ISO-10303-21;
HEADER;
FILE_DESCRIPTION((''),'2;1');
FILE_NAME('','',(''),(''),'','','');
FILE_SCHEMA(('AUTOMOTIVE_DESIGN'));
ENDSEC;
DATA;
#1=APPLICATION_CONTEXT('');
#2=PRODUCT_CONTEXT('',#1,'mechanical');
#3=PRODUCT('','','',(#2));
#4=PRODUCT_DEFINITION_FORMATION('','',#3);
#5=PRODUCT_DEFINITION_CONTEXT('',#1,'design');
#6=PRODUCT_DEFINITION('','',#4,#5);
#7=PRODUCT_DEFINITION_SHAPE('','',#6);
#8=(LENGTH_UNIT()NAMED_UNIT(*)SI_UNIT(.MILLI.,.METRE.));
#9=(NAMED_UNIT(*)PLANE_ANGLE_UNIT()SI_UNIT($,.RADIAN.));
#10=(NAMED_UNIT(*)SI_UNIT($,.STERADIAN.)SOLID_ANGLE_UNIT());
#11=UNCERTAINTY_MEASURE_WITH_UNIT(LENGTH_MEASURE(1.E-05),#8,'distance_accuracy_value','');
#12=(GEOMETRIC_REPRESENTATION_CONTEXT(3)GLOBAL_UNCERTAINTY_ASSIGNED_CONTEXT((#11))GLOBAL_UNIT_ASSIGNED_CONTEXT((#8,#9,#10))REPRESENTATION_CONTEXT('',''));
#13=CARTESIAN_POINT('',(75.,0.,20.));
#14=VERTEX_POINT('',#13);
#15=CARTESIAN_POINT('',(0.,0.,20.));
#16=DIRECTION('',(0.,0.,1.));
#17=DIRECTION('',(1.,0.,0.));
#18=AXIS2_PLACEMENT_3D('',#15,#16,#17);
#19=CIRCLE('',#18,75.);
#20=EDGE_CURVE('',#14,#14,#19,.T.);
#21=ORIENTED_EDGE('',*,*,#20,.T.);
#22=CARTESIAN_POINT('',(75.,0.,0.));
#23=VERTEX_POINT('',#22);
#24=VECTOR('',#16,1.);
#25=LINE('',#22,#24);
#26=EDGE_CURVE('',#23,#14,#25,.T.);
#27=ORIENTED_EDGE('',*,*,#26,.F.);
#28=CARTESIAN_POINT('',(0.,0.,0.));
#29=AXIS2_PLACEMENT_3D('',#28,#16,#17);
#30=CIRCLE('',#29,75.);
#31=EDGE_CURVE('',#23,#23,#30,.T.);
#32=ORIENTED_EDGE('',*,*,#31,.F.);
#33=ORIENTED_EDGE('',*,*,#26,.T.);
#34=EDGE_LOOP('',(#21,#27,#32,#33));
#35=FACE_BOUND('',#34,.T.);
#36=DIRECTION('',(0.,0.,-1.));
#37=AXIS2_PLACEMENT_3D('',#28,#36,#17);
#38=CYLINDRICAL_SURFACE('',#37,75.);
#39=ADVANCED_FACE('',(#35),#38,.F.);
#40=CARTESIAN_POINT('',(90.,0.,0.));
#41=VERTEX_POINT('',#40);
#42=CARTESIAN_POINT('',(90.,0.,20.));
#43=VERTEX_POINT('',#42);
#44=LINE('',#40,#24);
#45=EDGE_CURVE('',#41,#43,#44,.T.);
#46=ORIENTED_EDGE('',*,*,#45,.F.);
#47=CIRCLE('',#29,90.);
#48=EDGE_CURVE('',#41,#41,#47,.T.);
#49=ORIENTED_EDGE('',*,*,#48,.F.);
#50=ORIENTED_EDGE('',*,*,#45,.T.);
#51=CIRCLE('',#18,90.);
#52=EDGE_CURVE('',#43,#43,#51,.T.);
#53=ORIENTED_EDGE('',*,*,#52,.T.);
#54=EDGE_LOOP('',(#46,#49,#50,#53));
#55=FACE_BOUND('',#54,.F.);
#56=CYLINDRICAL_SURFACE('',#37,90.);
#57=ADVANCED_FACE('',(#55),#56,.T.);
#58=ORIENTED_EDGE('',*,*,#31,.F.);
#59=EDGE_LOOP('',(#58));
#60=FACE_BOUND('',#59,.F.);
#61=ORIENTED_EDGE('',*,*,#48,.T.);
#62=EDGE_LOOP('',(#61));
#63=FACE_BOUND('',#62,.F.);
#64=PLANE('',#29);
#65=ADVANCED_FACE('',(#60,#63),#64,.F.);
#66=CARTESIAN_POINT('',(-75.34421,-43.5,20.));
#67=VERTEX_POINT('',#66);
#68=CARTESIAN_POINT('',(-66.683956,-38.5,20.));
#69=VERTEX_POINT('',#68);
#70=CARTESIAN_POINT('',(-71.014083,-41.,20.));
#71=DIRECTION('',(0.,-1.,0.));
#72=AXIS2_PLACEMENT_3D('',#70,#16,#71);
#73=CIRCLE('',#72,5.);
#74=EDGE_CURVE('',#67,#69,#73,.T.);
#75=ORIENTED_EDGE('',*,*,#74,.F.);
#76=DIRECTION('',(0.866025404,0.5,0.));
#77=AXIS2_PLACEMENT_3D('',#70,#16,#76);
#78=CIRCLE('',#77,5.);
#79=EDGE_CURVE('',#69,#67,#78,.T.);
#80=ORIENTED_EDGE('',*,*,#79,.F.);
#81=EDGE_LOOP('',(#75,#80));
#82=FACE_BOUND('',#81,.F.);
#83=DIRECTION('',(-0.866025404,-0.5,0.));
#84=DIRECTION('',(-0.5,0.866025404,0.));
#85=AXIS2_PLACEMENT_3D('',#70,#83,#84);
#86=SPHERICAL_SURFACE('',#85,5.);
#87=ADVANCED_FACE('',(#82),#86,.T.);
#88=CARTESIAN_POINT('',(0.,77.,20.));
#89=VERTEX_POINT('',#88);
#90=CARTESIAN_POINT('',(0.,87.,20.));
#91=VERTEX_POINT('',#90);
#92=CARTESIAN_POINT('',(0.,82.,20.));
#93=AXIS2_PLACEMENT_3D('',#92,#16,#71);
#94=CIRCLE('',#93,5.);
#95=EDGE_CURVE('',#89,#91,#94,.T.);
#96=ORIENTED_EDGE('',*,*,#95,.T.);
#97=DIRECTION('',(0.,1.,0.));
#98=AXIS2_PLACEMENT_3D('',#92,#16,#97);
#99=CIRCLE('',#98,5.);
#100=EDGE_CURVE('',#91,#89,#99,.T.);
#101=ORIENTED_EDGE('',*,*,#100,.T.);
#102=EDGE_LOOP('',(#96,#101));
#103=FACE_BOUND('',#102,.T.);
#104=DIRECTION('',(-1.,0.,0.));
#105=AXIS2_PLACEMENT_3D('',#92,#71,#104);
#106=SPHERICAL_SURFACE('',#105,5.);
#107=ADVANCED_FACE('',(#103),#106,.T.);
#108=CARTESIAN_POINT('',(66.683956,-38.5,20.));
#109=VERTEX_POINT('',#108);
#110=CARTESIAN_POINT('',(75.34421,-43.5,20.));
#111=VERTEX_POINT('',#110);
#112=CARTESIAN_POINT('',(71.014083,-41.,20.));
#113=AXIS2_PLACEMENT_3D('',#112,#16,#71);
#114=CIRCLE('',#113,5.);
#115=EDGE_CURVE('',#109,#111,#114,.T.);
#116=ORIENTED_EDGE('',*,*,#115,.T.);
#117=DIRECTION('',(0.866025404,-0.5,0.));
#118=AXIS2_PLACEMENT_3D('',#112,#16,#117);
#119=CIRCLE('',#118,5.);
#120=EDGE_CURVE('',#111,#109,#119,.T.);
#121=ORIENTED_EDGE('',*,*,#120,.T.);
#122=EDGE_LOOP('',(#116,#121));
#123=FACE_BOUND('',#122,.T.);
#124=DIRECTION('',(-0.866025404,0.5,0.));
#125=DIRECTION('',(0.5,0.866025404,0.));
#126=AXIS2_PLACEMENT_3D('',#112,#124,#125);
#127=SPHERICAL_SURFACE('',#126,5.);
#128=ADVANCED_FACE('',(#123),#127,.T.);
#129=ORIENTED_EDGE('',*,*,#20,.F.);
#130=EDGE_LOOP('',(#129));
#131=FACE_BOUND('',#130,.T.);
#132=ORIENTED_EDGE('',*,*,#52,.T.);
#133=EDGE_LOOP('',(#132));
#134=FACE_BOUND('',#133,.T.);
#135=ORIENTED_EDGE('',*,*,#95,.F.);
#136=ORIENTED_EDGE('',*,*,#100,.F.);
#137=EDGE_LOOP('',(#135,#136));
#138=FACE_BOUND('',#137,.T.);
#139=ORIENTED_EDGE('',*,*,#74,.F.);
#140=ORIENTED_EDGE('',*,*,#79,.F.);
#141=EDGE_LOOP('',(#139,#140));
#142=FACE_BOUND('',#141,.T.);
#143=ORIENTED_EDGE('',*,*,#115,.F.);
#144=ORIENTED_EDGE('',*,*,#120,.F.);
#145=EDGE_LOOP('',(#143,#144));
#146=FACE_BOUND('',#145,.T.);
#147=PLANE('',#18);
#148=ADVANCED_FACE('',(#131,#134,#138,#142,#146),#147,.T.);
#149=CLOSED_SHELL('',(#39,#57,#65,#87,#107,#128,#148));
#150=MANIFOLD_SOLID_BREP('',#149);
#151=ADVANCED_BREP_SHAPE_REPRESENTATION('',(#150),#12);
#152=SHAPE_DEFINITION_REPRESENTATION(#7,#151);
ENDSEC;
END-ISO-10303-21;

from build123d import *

# Parameters (mm, degrees)
F0_R     = 90
F0_R_2   = 75
F1_DEPTH = 20


with BuildPart() as f1:
    # F0 (on Top) → F1 (new body)
    with BuildSketch(Plane.XY):
        Circle(F0_R)
        Circle(F0_R_2, mode=Mode.SUBTRACT)
    extrude(amount=F1_DEPTH)

    # F2 (on face) → F3 (revolve)
    with BuildSketch(Plane.XY.offset(20)):
        with BuildLine():
            Line((-75.3442101292, -43.5), (-66.6839560914, -38.5))
            ThreePointArc((-66.6839560914, -38.5), (-73.5140831103, -36.6698729811), (-75.3442101292, -43.5))
        make_face()
    revolve(axis=Axis((-77.9422863406, -45, 20), (0.8660254038, 0.5, 0)))

    # F4 (on face) → F5 (revolve)
    with BuildSketch(Plane.XY.offset(20)):
        with BuildLine():
            Line((66.6839560914, -38.5), (75.3442101292, -43.5))
            ThreePointArc((75.3442101292, -43.5), (73.5140831103, -36.6698729811), (66.6839560914, -38.5))
        make_face()
    revolve(axis=Axis((77.9422863406, -45, 20), (-0.8660254038, 0.5, 0)))

    # F6 (on face) → F7 (revolve)
    with BuildSketch(Plane.XY.offset(20)):
        with BuildLine():
            Line((0, 77), (0, 87))
            ThreePointArc((0, 87), (-5, 82), (0, 77))
        make_face()
    revolve(axis=Axis((0, 90, 20), (0, -1, 0)))


solid = f1.part
